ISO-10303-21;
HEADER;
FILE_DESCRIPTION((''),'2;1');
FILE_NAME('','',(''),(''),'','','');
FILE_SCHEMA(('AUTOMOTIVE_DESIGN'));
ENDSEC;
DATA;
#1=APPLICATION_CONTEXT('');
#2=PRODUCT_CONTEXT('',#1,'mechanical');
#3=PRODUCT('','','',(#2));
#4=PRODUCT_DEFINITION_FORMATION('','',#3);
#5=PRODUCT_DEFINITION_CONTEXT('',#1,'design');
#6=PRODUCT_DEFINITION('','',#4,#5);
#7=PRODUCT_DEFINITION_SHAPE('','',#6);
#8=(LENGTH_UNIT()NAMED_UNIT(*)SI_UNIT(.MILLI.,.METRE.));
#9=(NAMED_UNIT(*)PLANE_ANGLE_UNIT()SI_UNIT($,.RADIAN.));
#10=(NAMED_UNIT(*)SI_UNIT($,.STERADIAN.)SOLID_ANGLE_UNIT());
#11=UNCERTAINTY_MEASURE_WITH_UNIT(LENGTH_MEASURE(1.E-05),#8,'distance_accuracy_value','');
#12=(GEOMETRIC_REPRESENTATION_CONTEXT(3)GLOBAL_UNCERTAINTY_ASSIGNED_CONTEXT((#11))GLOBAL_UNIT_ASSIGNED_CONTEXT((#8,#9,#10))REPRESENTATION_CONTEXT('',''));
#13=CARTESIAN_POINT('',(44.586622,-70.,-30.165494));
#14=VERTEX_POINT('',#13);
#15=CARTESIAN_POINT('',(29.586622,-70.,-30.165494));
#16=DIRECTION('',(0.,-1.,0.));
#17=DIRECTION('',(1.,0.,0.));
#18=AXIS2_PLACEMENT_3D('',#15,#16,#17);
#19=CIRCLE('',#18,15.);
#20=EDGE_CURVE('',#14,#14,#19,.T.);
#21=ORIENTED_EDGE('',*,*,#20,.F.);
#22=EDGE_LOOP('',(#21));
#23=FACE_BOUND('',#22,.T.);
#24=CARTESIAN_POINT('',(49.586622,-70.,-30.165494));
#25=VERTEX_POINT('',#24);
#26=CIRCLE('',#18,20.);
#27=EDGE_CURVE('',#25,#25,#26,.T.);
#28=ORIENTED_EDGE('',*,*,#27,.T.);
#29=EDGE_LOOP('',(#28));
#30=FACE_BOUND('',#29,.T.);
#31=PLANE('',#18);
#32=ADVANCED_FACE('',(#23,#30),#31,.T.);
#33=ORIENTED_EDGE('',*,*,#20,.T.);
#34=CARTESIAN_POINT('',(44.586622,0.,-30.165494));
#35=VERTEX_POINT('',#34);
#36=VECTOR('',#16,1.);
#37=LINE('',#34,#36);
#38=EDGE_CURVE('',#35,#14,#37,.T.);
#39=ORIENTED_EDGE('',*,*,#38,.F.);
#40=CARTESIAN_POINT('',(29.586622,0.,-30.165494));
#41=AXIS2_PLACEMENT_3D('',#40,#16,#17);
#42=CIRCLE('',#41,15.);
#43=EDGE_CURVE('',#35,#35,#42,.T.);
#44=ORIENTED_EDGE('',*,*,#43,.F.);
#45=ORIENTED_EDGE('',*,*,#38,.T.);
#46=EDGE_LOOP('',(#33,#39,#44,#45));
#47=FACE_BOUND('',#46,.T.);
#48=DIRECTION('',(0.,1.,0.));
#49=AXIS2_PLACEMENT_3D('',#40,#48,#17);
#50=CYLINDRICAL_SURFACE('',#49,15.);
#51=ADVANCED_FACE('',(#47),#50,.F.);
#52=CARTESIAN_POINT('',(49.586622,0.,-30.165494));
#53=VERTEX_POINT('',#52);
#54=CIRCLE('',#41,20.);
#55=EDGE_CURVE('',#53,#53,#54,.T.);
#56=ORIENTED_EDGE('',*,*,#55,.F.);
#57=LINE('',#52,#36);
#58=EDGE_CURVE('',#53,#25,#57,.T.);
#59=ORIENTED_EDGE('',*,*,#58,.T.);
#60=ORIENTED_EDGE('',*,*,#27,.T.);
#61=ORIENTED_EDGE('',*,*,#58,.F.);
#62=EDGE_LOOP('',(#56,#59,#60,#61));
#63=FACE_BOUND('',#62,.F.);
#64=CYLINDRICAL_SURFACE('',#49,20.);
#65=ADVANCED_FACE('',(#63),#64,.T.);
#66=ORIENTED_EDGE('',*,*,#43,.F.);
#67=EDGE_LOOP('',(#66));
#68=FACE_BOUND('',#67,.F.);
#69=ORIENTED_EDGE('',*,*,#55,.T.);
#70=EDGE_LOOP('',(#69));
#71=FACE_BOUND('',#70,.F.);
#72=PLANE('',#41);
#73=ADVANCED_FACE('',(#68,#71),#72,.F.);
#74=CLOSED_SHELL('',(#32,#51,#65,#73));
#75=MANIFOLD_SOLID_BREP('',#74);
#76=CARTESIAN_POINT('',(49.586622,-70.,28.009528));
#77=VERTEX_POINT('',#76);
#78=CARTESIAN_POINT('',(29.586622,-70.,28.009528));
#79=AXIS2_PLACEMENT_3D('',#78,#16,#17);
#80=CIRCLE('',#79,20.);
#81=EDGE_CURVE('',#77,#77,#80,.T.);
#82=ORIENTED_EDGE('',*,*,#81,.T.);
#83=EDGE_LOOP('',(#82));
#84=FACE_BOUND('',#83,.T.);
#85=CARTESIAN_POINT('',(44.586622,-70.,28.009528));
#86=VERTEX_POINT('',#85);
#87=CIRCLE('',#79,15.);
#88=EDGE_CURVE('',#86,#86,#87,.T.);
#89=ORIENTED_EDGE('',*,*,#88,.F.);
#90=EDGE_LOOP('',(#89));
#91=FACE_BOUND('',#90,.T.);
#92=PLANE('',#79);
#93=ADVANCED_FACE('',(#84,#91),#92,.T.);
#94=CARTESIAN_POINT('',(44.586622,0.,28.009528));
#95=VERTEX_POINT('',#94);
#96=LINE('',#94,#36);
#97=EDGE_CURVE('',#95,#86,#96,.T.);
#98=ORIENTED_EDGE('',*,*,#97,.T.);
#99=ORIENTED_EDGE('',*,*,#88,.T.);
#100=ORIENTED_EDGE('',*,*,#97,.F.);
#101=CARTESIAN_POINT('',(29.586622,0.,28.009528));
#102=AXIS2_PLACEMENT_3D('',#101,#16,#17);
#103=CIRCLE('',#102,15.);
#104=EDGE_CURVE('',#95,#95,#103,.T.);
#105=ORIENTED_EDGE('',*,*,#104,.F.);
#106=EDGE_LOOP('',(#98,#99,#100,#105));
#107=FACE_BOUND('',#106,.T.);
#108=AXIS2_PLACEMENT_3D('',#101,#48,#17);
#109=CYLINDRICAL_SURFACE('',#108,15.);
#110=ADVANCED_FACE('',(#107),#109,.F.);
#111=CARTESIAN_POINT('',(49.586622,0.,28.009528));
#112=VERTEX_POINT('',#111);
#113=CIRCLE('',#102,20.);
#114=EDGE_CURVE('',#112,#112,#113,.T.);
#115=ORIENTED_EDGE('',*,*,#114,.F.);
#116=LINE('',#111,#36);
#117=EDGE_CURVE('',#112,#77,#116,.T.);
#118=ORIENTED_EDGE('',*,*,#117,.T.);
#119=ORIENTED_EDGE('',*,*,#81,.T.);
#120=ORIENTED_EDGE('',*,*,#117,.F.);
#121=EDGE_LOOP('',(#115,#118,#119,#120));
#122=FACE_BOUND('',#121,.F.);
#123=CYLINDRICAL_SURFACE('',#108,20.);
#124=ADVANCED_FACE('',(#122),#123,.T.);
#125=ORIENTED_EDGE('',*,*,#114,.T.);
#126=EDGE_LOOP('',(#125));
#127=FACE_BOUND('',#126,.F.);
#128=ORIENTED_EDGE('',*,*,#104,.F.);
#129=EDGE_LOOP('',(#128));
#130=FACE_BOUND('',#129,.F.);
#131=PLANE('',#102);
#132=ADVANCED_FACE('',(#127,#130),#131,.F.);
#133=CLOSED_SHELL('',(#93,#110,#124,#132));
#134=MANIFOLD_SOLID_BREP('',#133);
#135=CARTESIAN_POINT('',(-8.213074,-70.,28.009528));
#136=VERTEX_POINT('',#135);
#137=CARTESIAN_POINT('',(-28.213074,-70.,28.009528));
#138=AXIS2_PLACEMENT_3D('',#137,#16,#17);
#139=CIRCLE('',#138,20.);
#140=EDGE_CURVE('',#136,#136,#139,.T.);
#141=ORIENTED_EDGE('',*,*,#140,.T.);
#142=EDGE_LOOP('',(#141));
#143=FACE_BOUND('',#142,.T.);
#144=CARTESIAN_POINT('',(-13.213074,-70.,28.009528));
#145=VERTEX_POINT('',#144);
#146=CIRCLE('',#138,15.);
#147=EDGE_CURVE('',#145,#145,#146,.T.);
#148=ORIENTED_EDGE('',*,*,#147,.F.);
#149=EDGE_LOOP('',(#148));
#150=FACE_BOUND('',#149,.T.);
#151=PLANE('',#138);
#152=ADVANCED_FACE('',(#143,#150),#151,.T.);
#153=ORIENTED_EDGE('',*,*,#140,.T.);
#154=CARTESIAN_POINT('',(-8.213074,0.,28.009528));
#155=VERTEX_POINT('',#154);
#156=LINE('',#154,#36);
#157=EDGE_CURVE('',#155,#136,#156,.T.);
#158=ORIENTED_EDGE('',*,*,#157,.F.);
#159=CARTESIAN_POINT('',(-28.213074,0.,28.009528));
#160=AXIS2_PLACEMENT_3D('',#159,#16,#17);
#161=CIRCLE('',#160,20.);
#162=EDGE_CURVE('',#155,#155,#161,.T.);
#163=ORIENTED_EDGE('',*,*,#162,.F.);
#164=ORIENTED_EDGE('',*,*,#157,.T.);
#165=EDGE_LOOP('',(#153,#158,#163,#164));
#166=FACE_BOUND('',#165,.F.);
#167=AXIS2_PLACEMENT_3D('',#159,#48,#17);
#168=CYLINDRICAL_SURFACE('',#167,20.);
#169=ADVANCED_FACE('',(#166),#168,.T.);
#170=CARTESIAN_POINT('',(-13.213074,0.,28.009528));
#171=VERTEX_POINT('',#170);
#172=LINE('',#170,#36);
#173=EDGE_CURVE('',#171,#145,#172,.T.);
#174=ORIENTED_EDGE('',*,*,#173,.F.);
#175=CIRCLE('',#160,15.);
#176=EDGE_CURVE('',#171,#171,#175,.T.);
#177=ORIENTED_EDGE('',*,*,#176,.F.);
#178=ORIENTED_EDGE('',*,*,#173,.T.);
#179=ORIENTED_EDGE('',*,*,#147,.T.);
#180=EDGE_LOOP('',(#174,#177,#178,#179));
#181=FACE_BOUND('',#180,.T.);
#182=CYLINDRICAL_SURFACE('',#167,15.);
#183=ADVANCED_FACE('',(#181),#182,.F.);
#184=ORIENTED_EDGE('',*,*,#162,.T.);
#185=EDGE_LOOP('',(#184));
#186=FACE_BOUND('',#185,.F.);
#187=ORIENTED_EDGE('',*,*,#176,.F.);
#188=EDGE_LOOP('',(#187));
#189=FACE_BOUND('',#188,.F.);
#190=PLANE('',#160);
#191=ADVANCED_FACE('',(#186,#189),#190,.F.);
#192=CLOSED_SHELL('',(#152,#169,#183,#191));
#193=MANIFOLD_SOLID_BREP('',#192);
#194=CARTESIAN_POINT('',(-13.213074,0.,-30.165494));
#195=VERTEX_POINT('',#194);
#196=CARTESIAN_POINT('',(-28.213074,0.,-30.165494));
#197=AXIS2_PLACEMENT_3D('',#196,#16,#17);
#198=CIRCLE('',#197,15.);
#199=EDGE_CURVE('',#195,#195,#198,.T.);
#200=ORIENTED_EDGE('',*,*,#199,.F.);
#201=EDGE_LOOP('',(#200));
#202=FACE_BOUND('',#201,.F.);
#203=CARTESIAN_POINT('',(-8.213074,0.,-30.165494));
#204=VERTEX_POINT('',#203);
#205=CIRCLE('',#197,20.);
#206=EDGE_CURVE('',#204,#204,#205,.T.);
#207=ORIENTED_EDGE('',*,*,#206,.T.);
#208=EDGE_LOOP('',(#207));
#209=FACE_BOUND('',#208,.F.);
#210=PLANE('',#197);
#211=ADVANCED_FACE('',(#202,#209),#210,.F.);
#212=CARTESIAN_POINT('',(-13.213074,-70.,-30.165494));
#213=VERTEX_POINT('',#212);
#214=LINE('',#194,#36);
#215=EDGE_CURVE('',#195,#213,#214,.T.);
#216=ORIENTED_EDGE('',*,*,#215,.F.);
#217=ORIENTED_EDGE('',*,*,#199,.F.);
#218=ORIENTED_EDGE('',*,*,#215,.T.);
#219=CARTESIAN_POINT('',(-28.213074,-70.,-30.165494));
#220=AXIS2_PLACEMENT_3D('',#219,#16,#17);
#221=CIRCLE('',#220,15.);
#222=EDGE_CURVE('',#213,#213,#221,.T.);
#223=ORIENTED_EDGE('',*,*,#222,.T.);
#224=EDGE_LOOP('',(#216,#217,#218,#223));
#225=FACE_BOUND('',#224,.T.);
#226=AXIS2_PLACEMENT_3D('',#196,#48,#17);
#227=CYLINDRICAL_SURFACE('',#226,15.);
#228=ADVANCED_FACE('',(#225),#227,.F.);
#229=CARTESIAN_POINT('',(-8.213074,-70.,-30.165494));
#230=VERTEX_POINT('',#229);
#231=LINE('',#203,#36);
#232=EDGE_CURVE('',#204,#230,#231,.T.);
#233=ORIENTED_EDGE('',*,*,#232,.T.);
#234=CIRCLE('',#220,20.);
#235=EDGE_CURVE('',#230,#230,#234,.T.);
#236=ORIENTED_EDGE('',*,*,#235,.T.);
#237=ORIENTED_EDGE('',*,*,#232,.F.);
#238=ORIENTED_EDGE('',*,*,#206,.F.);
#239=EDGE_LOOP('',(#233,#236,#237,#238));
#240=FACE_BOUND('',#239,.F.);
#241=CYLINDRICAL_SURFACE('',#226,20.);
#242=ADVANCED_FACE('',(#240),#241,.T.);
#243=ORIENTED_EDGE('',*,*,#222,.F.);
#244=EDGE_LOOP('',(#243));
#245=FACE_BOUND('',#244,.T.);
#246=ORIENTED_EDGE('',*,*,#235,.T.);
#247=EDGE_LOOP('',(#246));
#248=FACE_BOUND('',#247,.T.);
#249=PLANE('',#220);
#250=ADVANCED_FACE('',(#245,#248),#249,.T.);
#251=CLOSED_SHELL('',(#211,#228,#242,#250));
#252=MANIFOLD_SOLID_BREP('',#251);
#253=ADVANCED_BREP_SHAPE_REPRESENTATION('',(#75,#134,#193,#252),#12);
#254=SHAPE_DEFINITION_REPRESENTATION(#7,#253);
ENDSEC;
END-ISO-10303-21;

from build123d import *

# Parameters (mm, degrees)
F0_R     = 20
F0_R_2   = 15
F1_DEPTH = 70


with BuildPart() as f1:
    # F0 (on Front) → F1 (new body)
    with BuildSketch(Plane.XZ):
        with Locations((-28.213074, 28.009528)):
            Circle(F0_R)
        with Locations((-28.213074, 28.009528)):
            Circle(F0_R_2, mode=Mode.SUBTRACT)
        with Locations((29.586622, 28.009528)):
            Circle(F0_R)
        with Locations((29.586622, 28.009528)):
            Circle(F0_R_2, mode=Mode.SUBTRACT)
        with Locations((29.586622, -30.165494)):
            Circle(F0_R)
        with Locations((29.586622, -30.165494)):
            Circle(F0_R_2, mode=Mode.SUBTRACT)
        with Locations((-28.213074, -30.165494)):
            Circle(F0_R)
        with Locations((-28.213074, -30.165494)):
            Circle(F0_R_2, mode=Mode.SUBTRACT)
    extrude(amount=F1_DEPTH)


solid = f1.part
